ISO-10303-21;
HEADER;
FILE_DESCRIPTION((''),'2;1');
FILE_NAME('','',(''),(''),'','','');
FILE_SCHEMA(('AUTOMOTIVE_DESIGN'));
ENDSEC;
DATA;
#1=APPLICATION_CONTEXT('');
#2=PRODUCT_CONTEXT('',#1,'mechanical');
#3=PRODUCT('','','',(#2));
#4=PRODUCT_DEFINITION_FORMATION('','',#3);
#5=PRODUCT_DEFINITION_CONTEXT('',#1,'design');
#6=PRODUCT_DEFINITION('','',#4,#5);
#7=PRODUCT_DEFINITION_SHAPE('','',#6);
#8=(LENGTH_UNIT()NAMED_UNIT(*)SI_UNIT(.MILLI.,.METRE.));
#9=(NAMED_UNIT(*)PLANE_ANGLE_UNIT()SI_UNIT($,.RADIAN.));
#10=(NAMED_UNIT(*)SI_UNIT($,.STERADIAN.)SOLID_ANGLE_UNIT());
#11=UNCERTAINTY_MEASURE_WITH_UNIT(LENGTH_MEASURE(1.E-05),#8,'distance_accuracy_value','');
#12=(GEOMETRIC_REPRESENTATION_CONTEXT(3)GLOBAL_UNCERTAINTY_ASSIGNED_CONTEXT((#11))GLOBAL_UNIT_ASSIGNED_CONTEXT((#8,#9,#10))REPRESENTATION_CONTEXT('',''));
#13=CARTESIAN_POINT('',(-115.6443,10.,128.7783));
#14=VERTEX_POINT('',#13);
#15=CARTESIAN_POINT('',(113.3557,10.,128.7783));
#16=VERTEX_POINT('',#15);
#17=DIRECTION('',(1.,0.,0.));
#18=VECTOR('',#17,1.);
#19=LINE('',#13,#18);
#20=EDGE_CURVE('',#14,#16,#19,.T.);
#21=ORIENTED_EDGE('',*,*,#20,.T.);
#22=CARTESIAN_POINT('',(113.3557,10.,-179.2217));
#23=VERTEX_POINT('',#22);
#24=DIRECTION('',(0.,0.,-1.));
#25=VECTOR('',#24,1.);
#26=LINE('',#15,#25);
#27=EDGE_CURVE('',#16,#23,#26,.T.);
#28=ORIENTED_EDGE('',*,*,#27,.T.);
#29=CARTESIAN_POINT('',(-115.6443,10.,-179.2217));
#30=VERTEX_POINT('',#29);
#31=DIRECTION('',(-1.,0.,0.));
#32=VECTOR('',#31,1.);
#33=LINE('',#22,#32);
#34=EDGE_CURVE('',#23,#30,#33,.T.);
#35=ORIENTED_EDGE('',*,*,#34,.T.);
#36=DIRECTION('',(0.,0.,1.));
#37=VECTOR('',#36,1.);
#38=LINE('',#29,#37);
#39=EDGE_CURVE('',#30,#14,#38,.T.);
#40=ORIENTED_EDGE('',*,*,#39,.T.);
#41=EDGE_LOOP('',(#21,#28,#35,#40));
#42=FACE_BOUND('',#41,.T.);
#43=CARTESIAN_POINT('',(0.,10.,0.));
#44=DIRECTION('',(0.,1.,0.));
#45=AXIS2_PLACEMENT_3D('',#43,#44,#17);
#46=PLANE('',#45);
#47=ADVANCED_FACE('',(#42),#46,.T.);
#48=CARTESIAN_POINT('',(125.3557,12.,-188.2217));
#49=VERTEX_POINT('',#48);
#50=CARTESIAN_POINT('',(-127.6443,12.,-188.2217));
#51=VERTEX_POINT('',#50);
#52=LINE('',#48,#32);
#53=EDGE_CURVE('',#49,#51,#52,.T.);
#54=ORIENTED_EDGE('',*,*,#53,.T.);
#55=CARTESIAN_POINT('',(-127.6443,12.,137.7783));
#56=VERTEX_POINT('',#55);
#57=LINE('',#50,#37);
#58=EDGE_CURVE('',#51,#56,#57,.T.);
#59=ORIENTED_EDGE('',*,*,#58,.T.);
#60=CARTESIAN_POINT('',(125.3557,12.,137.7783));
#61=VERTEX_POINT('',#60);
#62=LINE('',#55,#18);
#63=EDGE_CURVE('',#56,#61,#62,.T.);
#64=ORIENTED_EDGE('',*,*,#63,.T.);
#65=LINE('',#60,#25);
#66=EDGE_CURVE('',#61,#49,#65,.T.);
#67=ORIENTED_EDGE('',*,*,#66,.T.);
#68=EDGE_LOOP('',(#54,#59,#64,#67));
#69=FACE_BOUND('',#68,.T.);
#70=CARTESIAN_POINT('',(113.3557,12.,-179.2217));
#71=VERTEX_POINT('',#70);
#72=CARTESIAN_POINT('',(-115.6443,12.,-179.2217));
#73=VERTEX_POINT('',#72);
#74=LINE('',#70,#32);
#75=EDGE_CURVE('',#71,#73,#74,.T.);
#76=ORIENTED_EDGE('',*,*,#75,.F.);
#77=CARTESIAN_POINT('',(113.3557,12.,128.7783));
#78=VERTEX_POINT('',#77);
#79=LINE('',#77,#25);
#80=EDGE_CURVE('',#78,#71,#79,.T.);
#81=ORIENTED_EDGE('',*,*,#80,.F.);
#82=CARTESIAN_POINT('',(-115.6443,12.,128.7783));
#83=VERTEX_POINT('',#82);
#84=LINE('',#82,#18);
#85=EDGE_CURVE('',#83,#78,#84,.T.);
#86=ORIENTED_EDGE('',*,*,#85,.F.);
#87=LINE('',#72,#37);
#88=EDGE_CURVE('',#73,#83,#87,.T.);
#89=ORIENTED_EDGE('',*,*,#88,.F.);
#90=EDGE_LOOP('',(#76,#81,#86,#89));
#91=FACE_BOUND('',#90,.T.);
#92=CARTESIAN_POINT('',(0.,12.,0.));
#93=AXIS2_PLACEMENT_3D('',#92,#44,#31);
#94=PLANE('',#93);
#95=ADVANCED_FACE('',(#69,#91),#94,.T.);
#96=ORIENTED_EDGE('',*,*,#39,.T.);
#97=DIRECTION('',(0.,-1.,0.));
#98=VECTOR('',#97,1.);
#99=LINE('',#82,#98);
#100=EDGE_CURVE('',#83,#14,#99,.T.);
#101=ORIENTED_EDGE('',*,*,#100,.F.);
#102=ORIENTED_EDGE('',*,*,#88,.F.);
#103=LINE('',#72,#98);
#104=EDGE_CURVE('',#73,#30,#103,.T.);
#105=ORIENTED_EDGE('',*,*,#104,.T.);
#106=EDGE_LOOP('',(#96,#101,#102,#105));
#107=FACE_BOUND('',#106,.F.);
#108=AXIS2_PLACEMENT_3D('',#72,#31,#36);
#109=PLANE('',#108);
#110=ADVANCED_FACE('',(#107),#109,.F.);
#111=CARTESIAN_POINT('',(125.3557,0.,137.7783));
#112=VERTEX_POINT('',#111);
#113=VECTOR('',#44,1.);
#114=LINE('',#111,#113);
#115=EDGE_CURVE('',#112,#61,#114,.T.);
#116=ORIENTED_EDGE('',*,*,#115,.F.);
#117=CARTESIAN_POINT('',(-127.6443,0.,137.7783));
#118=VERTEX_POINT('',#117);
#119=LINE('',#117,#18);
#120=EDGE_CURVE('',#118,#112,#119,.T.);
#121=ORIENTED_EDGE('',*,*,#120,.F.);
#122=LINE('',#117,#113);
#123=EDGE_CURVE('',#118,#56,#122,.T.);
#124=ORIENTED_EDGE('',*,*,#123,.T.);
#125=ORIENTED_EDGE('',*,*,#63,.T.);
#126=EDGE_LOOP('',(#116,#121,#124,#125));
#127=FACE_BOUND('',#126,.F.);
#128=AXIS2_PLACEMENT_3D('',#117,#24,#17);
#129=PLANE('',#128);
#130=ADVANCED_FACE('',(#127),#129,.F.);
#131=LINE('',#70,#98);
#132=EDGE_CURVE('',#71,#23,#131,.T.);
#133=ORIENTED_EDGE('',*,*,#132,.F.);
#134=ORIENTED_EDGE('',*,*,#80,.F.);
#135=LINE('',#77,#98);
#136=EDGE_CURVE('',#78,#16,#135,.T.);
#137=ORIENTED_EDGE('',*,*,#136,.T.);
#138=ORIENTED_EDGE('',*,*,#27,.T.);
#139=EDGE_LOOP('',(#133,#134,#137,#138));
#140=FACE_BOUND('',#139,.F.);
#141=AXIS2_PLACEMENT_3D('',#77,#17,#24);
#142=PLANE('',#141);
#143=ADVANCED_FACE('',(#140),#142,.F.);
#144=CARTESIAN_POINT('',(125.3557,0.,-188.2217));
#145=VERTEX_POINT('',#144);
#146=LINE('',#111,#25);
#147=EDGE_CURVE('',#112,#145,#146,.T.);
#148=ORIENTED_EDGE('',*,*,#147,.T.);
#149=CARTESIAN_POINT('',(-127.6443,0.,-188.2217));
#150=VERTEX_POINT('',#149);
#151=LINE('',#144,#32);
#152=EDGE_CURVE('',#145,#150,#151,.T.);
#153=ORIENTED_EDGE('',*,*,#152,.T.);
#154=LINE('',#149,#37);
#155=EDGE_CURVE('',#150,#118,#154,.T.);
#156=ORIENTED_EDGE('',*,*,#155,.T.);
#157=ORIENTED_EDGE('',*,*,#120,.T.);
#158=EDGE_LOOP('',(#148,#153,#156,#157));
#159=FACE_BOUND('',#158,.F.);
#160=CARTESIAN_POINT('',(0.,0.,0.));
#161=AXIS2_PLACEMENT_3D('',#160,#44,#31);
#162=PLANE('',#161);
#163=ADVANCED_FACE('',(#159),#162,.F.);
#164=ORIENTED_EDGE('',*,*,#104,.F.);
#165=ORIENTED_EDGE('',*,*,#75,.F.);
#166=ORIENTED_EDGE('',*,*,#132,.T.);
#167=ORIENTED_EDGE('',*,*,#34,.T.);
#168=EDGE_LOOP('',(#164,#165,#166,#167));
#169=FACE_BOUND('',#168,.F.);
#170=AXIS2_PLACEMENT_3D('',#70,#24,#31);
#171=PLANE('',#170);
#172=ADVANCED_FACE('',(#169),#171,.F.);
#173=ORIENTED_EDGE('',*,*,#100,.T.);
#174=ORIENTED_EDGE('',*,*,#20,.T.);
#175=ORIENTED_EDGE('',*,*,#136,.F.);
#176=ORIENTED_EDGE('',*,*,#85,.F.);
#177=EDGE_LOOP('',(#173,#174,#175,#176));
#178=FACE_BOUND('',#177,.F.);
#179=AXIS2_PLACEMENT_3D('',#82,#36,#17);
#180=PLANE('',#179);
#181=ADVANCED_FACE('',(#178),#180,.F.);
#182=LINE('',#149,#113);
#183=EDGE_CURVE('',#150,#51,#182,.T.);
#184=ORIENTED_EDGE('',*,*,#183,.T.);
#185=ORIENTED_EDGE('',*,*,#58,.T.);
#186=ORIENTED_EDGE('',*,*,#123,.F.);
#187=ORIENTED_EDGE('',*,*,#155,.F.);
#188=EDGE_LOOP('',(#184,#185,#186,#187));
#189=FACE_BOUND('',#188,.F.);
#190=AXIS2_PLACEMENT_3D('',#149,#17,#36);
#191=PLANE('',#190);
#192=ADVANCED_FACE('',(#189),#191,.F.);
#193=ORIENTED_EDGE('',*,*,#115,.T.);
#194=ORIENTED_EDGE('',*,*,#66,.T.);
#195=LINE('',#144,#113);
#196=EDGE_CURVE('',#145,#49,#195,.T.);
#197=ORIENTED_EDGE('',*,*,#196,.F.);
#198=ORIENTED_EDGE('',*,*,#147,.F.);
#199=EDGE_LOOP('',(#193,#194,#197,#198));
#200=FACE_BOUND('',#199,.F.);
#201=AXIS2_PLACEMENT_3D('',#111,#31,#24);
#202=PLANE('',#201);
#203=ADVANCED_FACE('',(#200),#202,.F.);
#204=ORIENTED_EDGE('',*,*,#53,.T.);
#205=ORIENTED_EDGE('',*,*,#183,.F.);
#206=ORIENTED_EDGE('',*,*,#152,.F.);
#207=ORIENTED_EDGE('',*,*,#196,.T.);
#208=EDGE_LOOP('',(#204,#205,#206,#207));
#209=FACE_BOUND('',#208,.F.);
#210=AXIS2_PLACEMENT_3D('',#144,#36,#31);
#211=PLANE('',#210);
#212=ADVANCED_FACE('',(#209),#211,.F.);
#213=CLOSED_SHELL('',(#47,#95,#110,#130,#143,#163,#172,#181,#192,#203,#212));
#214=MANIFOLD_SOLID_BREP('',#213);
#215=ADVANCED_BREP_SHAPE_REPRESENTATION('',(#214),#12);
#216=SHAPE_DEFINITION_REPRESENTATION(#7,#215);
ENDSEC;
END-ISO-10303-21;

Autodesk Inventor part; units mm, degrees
ref_plane "YZ Plane" through (0, 0, 0) normal (1, 0, 0) x (0, 1, 0)
ref_plane "XZ Plane" through (0, 0, 0) normal (0, 1, 0) x (-1, 0, 0)
ref_plane "XY Plane" through (0, 0, 0) normal (0, 0, 1) x (1, 0, 0)
sketch "Esboço1" plane through (0, 0, 0) normal (0, 1, 0) x (-1, 0, 0)
  line L0 (127.6443, 137.7783) -> (-125.3557, 137.7783)
  line L1 (-125.3557, 137.7783) -> (-125.3557, -188.2217)
  line L2 (-125.3557, -188.2217) -> (127.6443, -188.2217)
  line L3 (127.6443, -188.2217) -> (127.6443, 137.7783)
  point P0 (0, 0)
  dimension "d0" = 326
  dimension "d1" = 253
extrude "Extrusão1" add sketch "Esboço1" along normal blind 12
sketch "Esboço2" plane through (0, 12, 0) normal (0, 1, 0) x (1, 0, 0)
  line L0 (-115.6443, -128.7783) -> (113.3557, -128.7783)
  line L1 (113.3557, -128.7783) -> (113.3557, 179.2217)
  line L2 (113.3557, 179.2217) -> (-115.6443, 179.2217)
  line L3 (-115.6443, 179.2217) -> (-115.6443, -128.7783)
  line L4 (-127.6443, -137.7783) -> (125.3557, -137.7783) projected
  line L5 (125.3557, 188.2217) -> (-127.6443, 188.2217) projected
  line L6 (-127.6443, 188.2217) -> (-127.6443, -137.7783) projected
  line L7 (125.3557, -137.7783) -> (125.3557, 188.2217) projected
  point P0 (0, 0)
  dimension "d4" = 9
  dimension "d5" = 9
  dimension "d6" = 12
  dimension "d7" = 12
extrude "Extrusão2" cut sketch "Esboço2" against normal blind 2 contours L3 L2 L1 L0
properties part number "tela"
